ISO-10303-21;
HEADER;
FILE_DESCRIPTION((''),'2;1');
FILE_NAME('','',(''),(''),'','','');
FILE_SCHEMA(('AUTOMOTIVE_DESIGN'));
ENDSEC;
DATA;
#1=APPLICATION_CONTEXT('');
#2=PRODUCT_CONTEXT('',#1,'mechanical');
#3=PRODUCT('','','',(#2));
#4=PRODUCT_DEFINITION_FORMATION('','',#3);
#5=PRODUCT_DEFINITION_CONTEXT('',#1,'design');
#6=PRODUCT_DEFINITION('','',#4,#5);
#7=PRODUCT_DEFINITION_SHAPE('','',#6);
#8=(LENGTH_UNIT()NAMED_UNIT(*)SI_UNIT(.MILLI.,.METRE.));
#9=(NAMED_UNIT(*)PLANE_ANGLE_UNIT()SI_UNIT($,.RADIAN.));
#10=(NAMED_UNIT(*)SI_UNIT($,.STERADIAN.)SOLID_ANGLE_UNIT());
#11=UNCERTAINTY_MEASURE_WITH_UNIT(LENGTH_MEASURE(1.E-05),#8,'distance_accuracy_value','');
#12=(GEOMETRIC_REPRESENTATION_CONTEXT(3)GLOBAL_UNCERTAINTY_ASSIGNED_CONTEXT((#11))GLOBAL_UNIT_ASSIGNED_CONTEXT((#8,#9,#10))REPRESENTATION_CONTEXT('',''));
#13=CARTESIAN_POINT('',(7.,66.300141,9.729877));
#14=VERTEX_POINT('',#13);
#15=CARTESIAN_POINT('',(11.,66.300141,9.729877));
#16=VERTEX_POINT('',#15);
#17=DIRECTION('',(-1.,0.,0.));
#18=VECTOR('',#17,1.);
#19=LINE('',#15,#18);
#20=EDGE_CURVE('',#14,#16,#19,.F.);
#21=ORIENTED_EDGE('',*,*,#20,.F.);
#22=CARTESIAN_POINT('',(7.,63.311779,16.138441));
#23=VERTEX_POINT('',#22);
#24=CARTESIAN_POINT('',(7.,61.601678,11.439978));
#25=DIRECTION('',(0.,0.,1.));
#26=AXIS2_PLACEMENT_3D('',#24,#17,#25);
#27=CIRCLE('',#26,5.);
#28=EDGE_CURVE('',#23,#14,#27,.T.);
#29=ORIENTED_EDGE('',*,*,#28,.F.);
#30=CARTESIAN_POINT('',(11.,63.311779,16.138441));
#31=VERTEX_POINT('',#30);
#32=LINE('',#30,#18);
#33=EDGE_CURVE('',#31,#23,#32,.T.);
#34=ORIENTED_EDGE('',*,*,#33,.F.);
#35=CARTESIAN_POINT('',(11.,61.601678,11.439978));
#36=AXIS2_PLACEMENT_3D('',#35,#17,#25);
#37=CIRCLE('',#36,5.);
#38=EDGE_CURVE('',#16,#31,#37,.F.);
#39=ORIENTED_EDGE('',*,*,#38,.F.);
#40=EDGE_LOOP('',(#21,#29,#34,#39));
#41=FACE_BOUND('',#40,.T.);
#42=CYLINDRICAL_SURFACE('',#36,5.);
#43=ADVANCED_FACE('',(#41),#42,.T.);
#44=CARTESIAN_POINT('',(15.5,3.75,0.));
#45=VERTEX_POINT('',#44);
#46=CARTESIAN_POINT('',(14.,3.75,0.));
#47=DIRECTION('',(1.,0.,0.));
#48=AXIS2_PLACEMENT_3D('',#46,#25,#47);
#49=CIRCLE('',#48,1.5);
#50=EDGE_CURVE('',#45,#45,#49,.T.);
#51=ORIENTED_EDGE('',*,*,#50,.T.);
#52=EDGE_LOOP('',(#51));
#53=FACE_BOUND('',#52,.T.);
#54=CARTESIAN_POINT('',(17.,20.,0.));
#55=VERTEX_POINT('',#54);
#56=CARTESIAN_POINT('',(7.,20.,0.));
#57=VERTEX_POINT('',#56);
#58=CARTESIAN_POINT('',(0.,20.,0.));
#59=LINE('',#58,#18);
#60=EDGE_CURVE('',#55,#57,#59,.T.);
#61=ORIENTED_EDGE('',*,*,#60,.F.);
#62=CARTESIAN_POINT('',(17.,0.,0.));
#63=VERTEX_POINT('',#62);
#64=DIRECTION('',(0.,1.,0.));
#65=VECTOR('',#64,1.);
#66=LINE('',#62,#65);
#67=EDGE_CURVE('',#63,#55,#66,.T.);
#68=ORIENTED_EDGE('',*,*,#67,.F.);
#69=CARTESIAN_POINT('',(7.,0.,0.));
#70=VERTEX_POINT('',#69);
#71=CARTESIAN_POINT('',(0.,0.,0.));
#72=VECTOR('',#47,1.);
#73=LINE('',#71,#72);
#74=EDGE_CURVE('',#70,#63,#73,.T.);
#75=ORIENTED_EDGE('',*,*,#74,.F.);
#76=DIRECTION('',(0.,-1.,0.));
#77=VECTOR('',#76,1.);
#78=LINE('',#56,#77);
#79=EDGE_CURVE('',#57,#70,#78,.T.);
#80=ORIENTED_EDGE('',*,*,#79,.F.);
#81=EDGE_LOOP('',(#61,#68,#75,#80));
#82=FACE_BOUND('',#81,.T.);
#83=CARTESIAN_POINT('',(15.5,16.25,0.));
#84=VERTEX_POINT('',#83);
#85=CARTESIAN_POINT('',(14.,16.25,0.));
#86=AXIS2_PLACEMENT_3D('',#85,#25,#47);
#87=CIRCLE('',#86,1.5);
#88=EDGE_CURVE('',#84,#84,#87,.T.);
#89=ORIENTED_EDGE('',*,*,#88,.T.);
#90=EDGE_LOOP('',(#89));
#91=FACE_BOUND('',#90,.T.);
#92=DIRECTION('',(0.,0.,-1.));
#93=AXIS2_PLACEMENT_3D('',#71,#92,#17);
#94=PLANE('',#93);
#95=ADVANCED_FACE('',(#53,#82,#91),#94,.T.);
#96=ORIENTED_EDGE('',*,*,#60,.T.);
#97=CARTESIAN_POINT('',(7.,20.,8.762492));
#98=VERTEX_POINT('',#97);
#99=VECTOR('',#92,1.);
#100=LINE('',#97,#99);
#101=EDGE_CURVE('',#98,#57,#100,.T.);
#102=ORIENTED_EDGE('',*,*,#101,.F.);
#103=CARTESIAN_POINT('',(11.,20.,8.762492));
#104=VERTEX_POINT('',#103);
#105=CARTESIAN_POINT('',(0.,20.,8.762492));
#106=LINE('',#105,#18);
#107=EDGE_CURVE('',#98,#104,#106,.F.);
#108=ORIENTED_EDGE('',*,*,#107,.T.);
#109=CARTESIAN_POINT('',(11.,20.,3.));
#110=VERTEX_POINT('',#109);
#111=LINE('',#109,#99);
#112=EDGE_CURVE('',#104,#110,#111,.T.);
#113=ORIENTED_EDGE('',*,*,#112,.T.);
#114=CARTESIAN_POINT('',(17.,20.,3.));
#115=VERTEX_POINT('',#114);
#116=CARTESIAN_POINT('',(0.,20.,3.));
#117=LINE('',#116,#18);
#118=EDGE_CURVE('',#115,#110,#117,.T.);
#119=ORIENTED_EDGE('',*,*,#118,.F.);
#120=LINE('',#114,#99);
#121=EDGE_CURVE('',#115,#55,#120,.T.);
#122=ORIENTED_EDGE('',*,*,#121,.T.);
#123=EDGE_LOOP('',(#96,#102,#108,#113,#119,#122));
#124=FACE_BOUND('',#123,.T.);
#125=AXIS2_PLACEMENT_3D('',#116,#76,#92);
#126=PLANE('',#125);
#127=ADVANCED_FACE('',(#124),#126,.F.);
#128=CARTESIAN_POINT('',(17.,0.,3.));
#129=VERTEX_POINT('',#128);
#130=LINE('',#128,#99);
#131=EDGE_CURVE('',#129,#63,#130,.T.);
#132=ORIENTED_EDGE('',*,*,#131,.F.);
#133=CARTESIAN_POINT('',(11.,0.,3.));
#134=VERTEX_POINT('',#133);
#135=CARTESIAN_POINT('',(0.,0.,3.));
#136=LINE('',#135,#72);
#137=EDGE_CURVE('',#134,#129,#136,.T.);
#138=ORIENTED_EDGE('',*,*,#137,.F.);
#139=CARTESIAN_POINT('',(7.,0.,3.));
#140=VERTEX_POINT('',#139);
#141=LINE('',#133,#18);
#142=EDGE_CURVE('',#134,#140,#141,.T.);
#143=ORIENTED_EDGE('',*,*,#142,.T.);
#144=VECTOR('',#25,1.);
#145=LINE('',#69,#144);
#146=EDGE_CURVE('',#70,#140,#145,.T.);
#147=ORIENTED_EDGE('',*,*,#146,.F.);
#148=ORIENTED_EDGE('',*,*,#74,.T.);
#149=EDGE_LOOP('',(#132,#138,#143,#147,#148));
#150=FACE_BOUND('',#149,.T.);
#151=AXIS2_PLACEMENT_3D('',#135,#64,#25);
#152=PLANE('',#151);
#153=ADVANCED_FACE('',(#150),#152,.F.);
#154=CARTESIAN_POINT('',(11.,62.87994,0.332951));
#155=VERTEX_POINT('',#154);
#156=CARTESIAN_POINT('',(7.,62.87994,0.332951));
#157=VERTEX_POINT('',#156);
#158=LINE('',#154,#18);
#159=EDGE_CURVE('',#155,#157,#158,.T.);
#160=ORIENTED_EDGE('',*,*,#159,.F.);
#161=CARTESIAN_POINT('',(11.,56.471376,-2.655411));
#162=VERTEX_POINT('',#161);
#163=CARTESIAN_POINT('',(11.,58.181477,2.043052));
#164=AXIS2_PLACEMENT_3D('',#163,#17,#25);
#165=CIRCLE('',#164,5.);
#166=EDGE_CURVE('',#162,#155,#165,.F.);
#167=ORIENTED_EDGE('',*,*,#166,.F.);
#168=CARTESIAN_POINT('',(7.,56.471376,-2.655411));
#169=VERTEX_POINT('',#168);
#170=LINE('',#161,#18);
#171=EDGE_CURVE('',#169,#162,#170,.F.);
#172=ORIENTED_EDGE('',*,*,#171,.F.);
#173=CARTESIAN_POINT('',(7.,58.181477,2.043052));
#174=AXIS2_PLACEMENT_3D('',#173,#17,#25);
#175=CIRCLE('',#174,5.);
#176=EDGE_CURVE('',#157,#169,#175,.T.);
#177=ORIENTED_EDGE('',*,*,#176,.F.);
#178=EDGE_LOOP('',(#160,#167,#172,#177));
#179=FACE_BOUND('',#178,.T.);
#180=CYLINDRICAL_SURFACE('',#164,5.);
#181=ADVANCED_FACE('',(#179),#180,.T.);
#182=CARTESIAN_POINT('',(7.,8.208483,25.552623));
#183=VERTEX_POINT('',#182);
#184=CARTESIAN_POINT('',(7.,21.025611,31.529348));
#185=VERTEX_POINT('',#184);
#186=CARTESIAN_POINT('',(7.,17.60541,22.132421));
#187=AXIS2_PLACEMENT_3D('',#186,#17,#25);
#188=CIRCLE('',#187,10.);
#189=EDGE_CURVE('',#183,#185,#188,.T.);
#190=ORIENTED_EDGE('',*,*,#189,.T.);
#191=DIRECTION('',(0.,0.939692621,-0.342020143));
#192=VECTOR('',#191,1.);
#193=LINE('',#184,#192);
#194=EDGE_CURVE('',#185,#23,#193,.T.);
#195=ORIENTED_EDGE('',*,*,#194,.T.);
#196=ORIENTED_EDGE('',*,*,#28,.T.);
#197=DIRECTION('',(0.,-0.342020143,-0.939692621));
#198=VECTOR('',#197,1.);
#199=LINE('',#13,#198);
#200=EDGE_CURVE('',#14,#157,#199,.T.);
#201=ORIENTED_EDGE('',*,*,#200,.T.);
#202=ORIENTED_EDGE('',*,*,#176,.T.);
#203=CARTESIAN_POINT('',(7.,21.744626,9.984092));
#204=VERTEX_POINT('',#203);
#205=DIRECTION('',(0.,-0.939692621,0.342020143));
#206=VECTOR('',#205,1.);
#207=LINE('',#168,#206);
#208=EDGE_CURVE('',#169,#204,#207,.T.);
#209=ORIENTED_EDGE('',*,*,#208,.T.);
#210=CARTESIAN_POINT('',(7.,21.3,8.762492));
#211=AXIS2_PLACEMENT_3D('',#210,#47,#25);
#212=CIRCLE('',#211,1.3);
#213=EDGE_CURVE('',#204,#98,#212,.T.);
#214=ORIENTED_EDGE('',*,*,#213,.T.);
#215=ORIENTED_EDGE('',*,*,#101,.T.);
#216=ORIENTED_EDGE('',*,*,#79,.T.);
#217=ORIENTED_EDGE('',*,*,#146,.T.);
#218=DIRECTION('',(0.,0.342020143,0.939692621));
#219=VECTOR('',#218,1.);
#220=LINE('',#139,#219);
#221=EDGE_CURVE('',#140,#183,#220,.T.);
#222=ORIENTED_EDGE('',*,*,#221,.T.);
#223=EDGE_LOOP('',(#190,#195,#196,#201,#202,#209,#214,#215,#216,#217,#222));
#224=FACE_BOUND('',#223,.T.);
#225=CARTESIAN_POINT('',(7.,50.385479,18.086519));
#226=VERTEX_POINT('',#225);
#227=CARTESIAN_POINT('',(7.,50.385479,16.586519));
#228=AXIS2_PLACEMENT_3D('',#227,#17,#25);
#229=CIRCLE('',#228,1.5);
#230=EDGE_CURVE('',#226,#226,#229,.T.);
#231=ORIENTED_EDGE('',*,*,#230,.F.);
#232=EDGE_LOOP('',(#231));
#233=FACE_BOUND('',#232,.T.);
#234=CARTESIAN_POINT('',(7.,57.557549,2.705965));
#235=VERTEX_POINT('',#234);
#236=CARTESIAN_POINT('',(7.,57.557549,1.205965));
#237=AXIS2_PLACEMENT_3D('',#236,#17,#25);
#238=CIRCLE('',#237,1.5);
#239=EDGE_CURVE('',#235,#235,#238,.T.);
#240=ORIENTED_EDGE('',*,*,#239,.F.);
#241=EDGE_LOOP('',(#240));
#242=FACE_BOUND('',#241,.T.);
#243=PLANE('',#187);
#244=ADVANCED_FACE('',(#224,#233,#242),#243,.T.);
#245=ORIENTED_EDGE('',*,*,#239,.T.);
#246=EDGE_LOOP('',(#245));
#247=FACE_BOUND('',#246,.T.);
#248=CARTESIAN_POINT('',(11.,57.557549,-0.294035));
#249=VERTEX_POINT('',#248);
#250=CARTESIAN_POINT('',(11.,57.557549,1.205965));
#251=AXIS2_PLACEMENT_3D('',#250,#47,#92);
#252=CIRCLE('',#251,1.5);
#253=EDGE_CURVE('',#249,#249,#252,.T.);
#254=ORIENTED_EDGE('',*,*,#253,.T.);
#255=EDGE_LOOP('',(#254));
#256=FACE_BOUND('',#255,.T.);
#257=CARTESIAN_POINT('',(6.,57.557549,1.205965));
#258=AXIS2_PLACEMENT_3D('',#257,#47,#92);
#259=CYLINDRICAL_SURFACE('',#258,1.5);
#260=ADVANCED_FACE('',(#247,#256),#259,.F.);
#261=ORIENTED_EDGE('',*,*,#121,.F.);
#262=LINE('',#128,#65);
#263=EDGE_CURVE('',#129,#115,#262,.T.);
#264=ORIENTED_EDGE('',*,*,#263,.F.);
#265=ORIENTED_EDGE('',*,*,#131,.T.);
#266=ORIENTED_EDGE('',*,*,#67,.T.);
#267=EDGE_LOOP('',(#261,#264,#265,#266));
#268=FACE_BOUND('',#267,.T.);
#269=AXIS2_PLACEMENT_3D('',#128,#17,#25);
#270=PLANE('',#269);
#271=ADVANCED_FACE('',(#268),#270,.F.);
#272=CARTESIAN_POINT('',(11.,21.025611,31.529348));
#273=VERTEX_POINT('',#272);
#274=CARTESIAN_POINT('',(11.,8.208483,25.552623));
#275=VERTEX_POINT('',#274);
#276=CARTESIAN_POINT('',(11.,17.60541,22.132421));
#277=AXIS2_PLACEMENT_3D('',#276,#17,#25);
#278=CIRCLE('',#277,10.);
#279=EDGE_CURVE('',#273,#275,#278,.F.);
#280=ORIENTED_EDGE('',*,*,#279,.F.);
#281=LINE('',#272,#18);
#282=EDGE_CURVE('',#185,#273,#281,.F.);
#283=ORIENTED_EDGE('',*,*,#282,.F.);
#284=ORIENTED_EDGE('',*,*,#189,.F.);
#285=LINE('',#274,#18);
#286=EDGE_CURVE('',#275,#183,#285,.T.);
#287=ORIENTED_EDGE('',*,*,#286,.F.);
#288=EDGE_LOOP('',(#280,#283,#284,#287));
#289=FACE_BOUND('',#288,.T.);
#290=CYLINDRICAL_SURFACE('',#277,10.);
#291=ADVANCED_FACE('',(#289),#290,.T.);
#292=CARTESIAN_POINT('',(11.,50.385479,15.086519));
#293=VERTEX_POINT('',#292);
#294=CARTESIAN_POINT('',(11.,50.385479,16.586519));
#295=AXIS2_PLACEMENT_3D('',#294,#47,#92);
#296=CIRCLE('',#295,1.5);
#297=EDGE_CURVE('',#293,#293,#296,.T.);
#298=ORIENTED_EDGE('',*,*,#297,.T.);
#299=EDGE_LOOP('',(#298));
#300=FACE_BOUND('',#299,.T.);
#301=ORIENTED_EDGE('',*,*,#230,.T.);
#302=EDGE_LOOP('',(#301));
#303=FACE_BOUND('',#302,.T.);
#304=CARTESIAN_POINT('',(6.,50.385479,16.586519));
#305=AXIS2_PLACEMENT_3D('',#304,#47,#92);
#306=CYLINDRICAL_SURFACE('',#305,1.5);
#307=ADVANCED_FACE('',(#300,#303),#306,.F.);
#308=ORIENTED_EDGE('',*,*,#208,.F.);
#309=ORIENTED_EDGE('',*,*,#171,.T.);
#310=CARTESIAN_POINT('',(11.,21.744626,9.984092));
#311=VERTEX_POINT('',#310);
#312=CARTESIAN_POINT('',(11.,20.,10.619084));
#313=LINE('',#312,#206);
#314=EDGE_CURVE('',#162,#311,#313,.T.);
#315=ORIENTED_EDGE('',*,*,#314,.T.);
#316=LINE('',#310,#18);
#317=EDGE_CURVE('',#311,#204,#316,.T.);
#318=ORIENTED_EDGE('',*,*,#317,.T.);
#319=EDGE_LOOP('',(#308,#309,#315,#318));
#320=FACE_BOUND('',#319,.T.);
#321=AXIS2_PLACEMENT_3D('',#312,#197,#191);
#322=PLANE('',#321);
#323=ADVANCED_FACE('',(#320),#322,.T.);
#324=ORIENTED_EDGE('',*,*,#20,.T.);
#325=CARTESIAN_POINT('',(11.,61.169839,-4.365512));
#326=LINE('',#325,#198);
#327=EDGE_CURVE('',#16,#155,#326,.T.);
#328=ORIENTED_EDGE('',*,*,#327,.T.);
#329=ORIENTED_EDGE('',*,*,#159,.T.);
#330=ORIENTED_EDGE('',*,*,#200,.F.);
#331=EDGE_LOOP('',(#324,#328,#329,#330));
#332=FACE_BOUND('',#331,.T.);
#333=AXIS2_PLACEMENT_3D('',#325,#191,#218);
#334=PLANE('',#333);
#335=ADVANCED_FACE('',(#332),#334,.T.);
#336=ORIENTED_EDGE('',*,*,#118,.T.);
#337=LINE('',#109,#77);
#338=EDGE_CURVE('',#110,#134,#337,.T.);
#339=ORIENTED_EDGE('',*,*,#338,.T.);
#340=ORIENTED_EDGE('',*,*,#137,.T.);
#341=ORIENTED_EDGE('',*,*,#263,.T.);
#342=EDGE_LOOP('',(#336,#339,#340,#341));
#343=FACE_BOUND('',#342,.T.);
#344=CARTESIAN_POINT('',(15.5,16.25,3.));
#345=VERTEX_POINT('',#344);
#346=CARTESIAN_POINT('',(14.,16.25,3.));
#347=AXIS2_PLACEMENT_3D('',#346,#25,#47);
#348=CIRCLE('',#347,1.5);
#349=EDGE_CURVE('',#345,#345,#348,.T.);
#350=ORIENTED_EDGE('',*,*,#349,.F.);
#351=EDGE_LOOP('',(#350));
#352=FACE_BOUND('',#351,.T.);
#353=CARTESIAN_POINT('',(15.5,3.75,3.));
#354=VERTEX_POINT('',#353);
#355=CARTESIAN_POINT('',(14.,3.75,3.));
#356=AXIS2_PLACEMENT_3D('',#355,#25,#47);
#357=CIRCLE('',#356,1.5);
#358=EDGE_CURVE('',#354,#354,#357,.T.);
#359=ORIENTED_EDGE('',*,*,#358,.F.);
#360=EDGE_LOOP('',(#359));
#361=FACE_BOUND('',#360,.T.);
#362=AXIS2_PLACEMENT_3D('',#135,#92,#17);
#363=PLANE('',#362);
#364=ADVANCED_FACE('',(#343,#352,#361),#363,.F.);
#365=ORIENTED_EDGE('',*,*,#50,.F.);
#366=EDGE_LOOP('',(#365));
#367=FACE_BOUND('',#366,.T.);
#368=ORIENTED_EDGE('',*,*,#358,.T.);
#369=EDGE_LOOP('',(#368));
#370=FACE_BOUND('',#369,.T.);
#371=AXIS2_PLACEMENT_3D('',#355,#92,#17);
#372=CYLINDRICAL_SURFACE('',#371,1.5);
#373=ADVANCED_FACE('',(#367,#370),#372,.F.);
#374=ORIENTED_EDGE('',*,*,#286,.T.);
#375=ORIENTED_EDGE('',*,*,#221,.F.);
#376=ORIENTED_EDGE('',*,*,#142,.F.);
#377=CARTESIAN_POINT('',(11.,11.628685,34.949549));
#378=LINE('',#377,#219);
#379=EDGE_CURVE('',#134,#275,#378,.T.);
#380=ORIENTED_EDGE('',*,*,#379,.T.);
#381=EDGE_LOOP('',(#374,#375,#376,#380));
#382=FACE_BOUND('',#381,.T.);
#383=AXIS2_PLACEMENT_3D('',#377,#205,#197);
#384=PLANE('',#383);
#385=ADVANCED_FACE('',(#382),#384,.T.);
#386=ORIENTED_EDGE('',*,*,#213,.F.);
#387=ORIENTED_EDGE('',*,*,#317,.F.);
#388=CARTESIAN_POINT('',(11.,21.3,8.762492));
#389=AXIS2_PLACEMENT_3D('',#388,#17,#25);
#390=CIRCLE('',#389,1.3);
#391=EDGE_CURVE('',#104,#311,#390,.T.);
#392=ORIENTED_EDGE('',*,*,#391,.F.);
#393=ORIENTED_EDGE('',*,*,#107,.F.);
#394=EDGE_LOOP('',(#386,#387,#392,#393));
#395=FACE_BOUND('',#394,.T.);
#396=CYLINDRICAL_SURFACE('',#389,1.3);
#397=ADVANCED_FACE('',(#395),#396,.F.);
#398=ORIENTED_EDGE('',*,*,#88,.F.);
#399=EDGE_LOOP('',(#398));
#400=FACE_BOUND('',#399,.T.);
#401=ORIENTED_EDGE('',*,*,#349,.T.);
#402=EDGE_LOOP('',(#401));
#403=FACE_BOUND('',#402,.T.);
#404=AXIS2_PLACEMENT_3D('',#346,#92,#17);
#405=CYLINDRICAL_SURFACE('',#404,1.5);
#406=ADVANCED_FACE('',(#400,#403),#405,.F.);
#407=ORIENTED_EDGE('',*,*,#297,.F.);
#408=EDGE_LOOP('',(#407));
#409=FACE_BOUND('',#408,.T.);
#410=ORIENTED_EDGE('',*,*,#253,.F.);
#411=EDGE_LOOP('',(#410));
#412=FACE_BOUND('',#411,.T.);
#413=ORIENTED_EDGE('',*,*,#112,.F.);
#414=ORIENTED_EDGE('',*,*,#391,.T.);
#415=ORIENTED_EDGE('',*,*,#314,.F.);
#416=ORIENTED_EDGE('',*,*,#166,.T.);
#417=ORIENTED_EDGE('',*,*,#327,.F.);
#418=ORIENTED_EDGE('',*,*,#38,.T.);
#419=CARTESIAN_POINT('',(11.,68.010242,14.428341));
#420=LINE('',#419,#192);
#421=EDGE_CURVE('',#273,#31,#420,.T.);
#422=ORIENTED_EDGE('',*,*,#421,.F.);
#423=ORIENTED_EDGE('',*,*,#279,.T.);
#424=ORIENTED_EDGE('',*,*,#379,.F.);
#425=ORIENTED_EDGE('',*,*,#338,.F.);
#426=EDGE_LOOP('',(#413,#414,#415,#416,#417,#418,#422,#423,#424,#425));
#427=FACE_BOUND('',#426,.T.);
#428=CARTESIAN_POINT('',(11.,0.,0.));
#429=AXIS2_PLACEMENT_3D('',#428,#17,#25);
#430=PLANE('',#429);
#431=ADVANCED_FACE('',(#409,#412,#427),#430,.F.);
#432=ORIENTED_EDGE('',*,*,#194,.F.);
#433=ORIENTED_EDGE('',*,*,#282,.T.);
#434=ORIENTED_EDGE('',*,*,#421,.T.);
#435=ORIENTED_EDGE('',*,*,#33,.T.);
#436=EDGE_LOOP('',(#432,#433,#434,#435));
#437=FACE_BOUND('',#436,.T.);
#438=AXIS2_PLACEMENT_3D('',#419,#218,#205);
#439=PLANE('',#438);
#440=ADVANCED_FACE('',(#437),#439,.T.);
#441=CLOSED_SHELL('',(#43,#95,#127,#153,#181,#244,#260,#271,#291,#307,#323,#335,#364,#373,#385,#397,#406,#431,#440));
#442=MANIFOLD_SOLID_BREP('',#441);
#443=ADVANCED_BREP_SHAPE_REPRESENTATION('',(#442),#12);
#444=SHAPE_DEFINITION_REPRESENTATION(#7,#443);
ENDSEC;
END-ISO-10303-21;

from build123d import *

# Parameters (mm, degrees)
SKETCH_1_W          = 17
SKETCH_1_H          = 20
SKETCH_1_R          = 1.5
EXTRUDE_1_DEPTH     = 3
EXTRUDE_2_DEPTH     = 5
SKETCH_4_R          = 1.5
CUT_EXTRUDE_1_DEPTH = 5
FILLET_2_R          = 5
FILLET_3_R          = 1.3
FILLET_4_R          = 10
SKETCH_5_W          = 6
SKETCH_5_H          = 20
CUT_EXTRUDE_2_DEPTH = 10
SKETCH_6_R          = 1.5
CUT_EXTRUDE_3_DEPTH = 1


with BuildPart() as part:
    # 草图1 → 凸台-拉伸1 (new body)
    with BuildSketch(Plane.XY):
        with Locations((8.5, 10)):
            Rectangle(SKETCH_1_W, SKETCH_1_H)
        with Locations((3, 16.25)):
            Circle(SKETCH_1_R, mode=Mode.SUBTRACT)
        with Locations((14, 16.25)):
            Circle(SKETCH_1_R, mode=Mode.SUBTRACT)
        with Locations((14, 3.75)):
            Circle(SKETCH_1_R, mode=Mode.SUBTRACT)
        with Locations((3, 3.75)):
            Circle(SKETCH_1_R, mode=Mode.SUBTRACT)
    extrude(amount=EXTRUDE_1_DEPTH)

    # 草图3 → 凸台-拉伸2 (add)
    with BuildSketch(Plane.ZY.offset(-6)):
        Polygon((3, 20), (10.619084129, 20), (-4.365511909, 61.169839254), (14.428340507, 68.01024212), (34.949549107, 11.628684873), (3, 0), align=None)
    extrude(amount=-EXTRUDE_2_DEPTH)

    # 草图4 → 切除-拉伸1 (cut)
    with BuildSketch(Plane(origin=(11, 0, 0), x_dir=(0, 0, -1), z_dir=(1, 0, 0))):
        with Locations((-16.586518504, 50.385479207)):
            Circle(SKETCH_4_R)
        with Locations((-1.205965334, 57.557548937)):
            Circle(SKETCH_4_R)
    extrude(amount=-CUT_EXTRUDE_1_DEPTH, mode=Mode.SUBTRACT)

    # 圆角2
    fillet_2_edges = [part.edges().sort_by_distance(p)[0] for p in [
        (8.5, 61.169839254, -4.365511909),
        (8.5, 68.01024212, 14.428340507),
    ]]
    fillet(fillet_2_edges, radius=FILLET_2_R)

    # 圆角3
    fillet_3_edges = [part.edges().sort_by_distance(p)[0] for p in [
        (8.5, 20, 10.619084129),
    ]]
    fillet(fillet_3_edges, radius=FILLET_3_R)

    # 圆角4
    fillet_4_edges = [part.edges().sort_by_distance(p)[0] for p in [
        (8.5, 11.628684873, 34.949549107),
    ]]
    fillet(fillet_4_edges, radius=FILLET_4_R)

    # 草图5 → 切除-拉伸2 (cut)
    with BuildSketch(Plane.XY.offset(3)):
        with Locations((3, 10)):
            Rectangle(SKETCH_5_W, SKETCH_5_H)
    extrude(amount=-CUT_EXTRUDE_2_DEPTH, mode=Mode.SUBTRACT)

    # 草图6 → 切除-拉伸3 (cut)
    with BuildSketch(Plane.ZY.offset(-6)):
        with BuildLine():
            Line((3, 0), (25.552622899, 8.20848344))
            ThreePointArc((25.552622899, 8.20848344), (31.195499336, 13.37922703), (31.529347673, 21.025611081))
            Line((31.529347673, 21.025611081), (16.138441224, 63.311779016))
            ThreePointArc((16.138441224, 63.311779016), (13.553069429, 66.133217235), (9.729877403, 66.300141404))
            Line((9.729877403, 66.300141404), (0.332951195, 62.87993997))
            ThreePointArc((0.332951195, 62.87993997), (-2.488487023, 60.294568175), (-2.655411192, 56.47137615))
            Line((-2.655411192, 56.47137615), (9.984092128, 21.744626186))
            ThreePointArc((9.984092128, 21.744626186), (9.827389378, 20.554350633), (8.762491721, 20))
            Line((8.762491721, 20), (0, 20))
            Line((0, 20), (0, 0))
            Line((0, 0), (3, 0))
        make_face()
        with Locations((16.586518504, 50.385479207)):
            Circle(SKETCH_6_R, mode=Mode.SUBTRACT)
        with Locations((1.205965334, 57.557548937)):
            Circle(SKETCH_6_R, mode=Mode.SUBTRACT)
    extrude(amount=-CUT_EXTRUDE_3_DEPTH, mode=Mode.SUBTRACT)


solid = part.part
